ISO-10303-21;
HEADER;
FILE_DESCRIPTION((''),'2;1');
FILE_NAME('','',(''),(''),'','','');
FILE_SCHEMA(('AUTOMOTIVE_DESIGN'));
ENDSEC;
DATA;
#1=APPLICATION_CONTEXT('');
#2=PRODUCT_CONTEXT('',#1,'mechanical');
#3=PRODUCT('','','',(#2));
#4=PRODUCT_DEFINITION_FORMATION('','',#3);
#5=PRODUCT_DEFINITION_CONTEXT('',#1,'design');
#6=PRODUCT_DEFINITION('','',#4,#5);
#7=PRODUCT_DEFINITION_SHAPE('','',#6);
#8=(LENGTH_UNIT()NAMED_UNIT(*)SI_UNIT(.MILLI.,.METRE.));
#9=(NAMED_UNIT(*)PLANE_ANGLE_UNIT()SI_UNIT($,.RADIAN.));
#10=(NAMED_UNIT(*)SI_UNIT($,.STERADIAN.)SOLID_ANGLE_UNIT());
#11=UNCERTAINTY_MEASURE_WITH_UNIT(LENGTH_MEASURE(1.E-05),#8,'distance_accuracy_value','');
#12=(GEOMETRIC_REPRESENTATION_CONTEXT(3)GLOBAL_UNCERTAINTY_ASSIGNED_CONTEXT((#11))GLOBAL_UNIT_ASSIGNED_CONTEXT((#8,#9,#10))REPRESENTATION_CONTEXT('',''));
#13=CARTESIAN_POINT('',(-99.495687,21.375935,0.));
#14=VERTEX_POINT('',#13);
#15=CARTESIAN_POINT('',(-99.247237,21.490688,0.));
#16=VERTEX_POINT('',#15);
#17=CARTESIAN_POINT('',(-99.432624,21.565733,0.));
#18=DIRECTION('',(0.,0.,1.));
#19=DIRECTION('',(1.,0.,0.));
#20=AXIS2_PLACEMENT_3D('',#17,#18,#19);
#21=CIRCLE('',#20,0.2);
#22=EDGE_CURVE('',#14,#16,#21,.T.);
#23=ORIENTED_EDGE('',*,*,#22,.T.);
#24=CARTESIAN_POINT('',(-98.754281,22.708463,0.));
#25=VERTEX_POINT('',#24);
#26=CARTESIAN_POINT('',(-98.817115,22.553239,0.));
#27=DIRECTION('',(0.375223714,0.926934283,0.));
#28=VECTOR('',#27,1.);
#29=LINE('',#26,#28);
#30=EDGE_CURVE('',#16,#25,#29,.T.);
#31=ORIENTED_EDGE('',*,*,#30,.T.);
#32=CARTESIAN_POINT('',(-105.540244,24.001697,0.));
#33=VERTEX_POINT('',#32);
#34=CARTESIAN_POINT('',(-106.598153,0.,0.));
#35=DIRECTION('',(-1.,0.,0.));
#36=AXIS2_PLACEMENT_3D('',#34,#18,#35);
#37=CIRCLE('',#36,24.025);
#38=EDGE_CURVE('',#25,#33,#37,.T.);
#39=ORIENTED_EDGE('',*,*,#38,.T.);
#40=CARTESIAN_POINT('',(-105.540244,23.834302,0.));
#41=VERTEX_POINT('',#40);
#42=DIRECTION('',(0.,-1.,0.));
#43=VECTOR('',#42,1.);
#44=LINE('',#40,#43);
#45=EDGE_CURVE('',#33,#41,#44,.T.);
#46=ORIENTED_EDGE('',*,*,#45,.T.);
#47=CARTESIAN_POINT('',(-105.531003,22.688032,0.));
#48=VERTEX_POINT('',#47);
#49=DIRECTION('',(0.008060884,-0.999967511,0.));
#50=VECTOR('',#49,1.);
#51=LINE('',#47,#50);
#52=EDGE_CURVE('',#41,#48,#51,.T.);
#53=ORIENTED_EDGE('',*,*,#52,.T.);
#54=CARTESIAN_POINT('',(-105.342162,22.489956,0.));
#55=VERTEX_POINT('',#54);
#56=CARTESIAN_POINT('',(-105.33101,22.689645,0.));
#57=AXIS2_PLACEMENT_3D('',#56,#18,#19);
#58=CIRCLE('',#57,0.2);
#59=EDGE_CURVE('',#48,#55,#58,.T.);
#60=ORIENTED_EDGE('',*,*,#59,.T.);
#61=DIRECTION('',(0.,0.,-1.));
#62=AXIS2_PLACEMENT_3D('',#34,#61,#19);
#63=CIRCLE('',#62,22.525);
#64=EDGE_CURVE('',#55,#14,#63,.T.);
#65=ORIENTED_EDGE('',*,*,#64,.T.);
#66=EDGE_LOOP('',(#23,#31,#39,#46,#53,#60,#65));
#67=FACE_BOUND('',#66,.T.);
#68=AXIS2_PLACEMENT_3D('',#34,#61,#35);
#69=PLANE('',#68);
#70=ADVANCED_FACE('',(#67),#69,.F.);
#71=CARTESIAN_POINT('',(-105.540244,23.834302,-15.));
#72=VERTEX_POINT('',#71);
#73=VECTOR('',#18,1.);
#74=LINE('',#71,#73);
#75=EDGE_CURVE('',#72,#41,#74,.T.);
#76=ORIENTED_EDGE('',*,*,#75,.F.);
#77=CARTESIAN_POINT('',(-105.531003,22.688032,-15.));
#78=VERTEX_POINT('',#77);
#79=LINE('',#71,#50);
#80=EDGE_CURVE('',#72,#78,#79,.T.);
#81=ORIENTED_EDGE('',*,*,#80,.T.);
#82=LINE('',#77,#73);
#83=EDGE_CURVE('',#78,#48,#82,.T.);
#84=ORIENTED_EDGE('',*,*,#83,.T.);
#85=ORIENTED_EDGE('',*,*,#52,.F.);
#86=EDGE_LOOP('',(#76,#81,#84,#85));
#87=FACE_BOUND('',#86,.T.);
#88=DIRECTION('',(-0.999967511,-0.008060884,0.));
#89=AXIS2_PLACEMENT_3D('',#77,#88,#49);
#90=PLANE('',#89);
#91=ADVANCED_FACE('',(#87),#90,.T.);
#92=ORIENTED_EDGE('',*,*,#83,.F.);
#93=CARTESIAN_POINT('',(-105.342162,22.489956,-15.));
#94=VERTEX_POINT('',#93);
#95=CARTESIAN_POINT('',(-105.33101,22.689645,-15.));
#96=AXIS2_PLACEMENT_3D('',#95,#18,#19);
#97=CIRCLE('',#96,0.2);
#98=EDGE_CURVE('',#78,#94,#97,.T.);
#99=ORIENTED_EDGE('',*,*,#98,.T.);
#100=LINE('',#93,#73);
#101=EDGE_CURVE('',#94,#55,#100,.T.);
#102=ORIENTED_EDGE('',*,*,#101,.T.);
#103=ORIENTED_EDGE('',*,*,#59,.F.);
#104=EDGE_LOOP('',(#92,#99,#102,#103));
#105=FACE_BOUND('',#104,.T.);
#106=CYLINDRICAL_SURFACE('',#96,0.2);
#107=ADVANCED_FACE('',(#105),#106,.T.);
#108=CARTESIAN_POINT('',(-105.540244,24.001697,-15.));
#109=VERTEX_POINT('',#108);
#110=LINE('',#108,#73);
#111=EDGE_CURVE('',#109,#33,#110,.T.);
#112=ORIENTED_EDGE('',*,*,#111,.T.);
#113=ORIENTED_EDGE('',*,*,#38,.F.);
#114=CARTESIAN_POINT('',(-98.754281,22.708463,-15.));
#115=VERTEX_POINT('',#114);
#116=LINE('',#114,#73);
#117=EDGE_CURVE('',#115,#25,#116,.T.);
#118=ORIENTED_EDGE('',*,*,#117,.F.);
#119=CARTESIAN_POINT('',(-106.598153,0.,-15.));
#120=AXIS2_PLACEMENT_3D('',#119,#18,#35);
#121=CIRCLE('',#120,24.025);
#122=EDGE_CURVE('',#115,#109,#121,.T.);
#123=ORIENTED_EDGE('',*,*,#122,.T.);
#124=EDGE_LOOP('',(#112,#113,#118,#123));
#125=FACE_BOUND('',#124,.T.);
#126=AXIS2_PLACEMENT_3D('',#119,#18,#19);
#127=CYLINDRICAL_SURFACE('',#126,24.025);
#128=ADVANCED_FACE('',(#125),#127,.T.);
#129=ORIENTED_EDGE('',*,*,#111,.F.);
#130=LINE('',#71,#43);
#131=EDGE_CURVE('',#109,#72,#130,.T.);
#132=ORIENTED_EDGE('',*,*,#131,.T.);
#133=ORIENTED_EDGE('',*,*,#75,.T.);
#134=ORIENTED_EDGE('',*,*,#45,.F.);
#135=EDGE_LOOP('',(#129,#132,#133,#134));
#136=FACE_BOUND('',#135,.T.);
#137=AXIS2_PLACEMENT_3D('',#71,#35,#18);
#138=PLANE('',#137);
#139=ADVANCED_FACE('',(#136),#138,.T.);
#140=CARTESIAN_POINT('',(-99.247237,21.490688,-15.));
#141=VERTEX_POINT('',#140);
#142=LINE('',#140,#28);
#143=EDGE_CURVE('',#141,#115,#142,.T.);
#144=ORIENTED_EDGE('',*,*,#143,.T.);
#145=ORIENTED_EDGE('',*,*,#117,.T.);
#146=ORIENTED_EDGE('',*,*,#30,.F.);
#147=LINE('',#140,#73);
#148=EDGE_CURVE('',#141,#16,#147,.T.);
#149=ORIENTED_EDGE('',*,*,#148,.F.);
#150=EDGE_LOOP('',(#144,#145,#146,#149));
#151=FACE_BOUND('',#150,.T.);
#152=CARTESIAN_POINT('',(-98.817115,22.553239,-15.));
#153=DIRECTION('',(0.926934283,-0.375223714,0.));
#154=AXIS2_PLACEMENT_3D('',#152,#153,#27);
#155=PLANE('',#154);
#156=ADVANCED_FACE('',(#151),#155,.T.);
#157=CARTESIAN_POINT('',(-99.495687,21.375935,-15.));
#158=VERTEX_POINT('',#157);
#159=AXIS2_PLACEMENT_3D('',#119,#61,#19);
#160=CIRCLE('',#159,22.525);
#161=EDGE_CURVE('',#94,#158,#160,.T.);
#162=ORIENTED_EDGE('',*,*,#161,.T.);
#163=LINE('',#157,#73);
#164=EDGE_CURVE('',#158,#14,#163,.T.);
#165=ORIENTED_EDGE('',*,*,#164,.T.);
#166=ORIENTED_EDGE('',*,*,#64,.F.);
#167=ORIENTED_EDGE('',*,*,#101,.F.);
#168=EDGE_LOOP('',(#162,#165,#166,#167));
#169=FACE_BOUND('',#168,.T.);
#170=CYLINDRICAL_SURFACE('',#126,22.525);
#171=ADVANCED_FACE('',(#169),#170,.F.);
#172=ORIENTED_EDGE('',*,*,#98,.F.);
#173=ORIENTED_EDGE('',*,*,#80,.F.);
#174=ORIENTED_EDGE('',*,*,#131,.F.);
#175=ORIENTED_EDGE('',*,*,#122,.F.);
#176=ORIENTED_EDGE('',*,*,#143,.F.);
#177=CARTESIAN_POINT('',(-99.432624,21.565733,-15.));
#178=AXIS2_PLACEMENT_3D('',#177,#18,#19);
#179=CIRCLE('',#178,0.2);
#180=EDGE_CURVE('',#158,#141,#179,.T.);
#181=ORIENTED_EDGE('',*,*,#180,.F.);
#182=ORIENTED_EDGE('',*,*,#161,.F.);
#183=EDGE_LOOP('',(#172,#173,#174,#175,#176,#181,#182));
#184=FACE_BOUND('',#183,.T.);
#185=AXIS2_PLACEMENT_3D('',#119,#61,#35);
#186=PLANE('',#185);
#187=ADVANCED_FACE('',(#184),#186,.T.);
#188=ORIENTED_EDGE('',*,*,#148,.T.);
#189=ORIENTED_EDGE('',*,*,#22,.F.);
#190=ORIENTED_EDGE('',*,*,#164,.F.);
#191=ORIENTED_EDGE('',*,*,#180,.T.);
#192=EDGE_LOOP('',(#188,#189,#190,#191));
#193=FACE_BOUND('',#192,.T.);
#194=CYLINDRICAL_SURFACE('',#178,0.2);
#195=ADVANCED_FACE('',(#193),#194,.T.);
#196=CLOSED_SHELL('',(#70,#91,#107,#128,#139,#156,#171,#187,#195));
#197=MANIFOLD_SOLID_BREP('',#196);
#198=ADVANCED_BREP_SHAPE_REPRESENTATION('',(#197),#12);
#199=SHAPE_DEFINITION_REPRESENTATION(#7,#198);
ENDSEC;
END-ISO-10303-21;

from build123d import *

# Parameters (mm, degrees)
BOSS_EXTRUDE1_DEPTH = 15


with BuildPart() as part:
    # Sketch1 → Boss-Extrude1 (new body)
    with BuildSketch(Plane.XY):
        with BuildLine():
            Line((-99.134442938, 21.769328519), (-98.817115398, 22.553238929))
            Line((-98.817115398, 22.553238929), (-98.754280528, 22.708463115))
            ThreePointArc((-98.754280528, 22.708463115), (-102.100537724, 23.60025606), (-105.54024369, 24.001696896))
            Line((-105.54024369, 24.001696896), (-105.54024369, 23.834302043))
            Line((-105.54024369, 23.834302043), (-105.533426583, 22.988627268))
            Line((-105.533426583, 22.988627268), (-105.531003444, 22.68803248))
            ThreePointArc((-105.531003444, 22.68803248), (-105.475765577, 22.551638114), (-105.342161912, 22.489955815))
            ThreePointArc((-105.342161912, 22.489955815), (-102.381968354, 22.126893501), (-99.495686711, 21.375935169))
            ThreePointArc((-99.495686711, 21.375935169), (-99.34876179, 21.384163954), (-99.247236895, 21.490687852))
            Line((-99.247236895, 21.490687852), (-99.134442938, 21.769328519))
        make_face()
    extrude(amount=-BOSS_EXTRUDE1_DEPTH)


solid = part.part
